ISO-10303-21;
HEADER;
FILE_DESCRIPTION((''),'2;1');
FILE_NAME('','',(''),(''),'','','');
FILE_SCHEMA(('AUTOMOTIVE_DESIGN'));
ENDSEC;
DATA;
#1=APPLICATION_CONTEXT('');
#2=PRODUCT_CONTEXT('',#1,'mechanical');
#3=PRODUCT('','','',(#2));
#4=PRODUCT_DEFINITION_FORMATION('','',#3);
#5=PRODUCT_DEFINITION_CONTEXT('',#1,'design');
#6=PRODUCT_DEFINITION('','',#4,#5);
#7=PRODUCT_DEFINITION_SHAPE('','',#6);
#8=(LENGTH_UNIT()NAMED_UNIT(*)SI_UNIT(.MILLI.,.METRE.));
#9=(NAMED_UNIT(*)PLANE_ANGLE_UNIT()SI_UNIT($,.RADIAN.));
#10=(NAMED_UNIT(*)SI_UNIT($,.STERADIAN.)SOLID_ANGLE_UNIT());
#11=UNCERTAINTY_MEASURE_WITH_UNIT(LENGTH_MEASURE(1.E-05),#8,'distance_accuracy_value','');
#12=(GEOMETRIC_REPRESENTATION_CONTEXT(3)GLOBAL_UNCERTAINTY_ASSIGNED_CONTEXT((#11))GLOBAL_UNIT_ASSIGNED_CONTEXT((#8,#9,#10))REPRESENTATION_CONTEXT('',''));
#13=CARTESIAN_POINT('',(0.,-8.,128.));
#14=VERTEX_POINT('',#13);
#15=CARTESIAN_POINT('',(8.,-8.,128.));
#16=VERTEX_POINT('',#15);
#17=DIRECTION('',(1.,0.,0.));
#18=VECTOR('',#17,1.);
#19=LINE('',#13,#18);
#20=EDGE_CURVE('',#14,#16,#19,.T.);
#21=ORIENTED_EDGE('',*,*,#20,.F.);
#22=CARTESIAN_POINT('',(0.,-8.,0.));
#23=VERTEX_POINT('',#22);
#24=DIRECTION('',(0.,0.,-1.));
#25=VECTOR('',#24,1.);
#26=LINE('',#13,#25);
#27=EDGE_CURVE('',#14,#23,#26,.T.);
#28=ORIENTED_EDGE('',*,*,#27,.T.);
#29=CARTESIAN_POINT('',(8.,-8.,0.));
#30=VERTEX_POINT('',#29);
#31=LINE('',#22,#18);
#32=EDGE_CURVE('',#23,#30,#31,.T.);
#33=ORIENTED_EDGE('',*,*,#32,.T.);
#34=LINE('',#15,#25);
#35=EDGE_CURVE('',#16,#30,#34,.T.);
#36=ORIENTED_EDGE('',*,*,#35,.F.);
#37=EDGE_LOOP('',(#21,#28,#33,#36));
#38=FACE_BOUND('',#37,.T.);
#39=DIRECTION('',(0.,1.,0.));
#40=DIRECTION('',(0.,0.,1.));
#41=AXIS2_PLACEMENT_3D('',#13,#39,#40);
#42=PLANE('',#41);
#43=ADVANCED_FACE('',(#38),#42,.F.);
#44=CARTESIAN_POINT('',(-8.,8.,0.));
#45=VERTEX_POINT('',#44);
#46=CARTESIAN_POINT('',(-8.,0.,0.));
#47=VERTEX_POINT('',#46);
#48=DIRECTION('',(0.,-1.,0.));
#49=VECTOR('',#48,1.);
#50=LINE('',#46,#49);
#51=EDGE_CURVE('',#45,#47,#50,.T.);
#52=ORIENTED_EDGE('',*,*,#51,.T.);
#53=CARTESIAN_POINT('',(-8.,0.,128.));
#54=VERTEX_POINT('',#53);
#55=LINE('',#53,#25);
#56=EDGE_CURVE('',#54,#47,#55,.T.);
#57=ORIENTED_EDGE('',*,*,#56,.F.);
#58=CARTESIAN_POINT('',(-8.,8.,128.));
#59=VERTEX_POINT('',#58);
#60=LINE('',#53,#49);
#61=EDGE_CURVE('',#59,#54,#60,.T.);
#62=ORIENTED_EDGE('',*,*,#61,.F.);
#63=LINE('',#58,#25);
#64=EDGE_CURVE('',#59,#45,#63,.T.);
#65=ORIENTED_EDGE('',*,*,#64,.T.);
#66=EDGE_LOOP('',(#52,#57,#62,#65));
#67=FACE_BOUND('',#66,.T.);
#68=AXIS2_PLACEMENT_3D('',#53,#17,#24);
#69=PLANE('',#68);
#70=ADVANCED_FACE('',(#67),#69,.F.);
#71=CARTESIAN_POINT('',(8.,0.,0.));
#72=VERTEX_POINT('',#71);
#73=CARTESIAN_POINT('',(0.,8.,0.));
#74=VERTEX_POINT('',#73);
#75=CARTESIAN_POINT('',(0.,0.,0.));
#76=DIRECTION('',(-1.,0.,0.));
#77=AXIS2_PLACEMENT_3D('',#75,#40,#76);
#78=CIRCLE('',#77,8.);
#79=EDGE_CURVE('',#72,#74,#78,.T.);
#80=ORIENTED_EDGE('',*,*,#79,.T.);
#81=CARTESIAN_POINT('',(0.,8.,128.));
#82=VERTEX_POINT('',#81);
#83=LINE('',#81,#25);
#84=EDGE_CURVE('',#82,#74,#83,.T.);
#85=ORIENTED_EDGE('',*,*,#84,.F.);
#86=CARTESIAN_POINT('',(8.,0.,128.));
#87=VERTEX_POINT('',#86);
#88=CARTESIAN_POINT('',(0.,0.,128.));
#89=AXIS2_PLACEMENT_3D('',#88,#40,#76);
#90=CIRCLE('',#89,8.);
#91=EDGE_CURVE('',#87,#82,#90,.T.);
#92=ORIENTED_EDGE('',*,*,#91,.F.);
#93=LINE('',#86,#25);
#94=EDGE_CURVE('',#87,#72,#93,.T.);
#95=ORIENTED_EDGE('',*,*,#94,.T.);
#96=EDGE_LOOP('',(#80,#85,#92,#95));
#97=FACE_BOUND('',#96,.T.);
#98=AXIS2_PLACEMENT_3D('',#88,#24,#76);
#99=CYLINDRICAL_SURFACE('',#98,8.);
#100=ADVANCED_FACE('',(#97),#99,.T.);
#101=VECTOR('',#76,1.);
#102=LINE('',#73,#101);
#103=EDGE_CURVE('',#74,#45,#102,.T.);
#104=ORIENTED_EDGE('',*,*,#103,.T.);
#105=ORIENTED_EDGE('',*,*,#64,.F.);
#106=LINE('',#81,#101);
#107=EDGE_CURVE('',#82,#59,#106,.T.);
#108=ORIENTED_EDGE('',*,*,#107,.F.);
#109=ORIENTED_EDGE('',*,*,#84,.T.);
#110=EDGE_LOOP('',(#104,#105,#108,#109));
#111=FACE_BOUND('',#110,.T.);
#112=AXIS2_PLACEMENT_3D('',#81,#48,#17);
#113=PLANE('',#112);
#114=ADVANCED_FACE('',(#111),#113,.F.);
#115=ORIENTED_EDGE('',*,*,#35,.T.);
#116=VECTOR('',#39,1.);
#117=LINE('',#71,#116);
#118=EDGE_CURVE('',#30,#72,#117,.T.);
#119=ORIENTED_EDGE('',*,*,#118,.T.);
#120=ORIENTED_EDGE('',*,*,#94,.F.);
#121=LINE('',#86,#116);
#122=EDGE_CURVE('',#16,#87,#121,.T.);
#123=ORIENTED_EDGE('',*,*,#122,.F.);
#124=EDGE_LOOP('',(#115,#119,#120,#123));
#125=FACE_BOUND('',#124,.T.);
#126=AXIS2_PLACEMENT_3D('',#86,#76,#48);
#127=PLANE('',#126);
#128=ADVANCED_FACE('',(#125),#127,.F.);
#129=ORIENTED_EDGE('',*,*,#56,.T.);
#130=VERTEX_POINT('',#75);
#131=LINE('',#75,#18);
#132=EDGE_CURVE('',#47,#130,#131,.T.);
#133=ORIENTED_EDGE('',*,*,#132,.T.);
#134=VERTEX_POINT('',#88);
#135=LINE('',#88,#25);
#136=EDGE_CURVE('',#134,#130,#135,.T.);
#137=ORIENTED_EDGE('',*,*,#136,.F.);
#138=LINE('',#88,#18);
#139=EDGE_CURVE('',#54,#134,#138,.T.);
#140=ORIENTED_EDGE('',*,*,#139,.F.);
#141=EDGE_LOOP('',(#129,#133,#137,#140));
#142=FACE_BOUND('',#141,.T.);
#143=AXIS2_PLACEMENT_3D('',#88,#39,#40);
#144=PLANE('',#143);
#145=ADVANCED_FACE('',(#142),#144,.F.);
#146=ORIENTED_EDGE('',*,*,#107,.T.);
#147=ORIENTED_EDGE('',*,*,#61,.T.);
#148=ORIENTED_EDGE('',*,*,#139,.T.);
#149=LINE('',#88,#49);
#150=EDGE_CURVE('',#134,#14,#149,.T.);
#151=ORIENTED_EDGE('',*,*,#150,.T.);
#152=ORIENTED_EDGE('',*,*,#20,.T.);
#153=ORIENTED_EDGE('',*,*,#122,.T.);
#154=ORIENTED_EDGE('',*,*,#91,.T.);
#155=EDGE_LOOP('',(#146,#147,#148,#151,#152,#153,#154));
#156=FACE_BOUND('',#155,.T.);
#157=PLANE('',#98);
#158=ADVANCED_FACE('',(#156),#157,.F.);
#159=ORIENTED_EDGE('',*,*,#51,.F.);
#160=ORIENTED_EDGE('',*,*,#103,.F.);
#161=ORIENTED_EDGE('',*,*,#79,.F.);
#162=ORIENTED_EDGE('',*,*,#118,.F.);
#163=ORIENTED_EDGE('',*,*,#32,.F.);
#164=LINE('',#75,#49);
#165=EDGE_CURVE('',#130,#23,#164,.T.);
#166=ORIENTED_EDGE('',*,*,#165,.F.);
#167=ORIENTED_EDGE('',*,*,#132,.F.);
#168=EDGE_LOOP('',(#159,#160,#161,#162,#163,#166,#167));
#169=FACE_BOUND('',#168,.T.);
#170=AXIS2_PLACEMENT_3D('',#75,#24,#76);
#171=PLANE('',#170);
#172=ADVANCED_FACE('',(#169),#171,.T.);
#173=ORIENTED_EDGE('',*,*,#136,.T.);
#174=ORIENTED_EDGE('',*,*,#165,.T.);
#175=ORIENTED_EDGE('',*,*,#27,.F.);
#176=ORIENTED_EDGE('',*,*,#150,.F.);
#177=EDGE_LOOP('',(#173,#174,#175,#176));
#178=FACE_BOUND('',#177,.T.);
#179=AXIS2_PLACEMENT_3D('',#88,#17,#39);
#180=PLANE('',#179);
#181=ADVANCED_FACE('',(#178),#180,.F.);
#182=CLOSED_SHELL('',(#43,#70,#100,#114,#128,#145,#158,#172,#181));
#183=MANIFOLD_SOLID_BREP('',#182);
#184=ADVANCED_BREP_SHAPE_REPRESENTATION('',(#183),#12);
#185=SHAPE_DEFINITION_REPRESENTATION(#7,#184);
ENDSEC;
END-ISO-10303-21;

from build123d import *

# Parameters (mm, degrees)
BOSS_EXTRUDE1_DEPTH = 128


with BuildPart() as part:
    # Sketch1 → Boss-Extrude1 (new body)
    with BuildSketch(Plane.XY):
        with BuildLine():
            Line((0, 0), (-8, 0))
            Line((-8, 0), (-8, 8))
            Line((-8, 8), (0, 8))
            ThreePointArc((0, 8), (5.656854249, 5.656854249), (8, 0))
            Line((8, 0), (8, -8))
            Line((8, -8), (0, -8))
            Line((0, -8), (0, 0))
        make_face()
    extrude(amount=BOSS_EXTRUDE1_DEPTH)


solid = part.part
